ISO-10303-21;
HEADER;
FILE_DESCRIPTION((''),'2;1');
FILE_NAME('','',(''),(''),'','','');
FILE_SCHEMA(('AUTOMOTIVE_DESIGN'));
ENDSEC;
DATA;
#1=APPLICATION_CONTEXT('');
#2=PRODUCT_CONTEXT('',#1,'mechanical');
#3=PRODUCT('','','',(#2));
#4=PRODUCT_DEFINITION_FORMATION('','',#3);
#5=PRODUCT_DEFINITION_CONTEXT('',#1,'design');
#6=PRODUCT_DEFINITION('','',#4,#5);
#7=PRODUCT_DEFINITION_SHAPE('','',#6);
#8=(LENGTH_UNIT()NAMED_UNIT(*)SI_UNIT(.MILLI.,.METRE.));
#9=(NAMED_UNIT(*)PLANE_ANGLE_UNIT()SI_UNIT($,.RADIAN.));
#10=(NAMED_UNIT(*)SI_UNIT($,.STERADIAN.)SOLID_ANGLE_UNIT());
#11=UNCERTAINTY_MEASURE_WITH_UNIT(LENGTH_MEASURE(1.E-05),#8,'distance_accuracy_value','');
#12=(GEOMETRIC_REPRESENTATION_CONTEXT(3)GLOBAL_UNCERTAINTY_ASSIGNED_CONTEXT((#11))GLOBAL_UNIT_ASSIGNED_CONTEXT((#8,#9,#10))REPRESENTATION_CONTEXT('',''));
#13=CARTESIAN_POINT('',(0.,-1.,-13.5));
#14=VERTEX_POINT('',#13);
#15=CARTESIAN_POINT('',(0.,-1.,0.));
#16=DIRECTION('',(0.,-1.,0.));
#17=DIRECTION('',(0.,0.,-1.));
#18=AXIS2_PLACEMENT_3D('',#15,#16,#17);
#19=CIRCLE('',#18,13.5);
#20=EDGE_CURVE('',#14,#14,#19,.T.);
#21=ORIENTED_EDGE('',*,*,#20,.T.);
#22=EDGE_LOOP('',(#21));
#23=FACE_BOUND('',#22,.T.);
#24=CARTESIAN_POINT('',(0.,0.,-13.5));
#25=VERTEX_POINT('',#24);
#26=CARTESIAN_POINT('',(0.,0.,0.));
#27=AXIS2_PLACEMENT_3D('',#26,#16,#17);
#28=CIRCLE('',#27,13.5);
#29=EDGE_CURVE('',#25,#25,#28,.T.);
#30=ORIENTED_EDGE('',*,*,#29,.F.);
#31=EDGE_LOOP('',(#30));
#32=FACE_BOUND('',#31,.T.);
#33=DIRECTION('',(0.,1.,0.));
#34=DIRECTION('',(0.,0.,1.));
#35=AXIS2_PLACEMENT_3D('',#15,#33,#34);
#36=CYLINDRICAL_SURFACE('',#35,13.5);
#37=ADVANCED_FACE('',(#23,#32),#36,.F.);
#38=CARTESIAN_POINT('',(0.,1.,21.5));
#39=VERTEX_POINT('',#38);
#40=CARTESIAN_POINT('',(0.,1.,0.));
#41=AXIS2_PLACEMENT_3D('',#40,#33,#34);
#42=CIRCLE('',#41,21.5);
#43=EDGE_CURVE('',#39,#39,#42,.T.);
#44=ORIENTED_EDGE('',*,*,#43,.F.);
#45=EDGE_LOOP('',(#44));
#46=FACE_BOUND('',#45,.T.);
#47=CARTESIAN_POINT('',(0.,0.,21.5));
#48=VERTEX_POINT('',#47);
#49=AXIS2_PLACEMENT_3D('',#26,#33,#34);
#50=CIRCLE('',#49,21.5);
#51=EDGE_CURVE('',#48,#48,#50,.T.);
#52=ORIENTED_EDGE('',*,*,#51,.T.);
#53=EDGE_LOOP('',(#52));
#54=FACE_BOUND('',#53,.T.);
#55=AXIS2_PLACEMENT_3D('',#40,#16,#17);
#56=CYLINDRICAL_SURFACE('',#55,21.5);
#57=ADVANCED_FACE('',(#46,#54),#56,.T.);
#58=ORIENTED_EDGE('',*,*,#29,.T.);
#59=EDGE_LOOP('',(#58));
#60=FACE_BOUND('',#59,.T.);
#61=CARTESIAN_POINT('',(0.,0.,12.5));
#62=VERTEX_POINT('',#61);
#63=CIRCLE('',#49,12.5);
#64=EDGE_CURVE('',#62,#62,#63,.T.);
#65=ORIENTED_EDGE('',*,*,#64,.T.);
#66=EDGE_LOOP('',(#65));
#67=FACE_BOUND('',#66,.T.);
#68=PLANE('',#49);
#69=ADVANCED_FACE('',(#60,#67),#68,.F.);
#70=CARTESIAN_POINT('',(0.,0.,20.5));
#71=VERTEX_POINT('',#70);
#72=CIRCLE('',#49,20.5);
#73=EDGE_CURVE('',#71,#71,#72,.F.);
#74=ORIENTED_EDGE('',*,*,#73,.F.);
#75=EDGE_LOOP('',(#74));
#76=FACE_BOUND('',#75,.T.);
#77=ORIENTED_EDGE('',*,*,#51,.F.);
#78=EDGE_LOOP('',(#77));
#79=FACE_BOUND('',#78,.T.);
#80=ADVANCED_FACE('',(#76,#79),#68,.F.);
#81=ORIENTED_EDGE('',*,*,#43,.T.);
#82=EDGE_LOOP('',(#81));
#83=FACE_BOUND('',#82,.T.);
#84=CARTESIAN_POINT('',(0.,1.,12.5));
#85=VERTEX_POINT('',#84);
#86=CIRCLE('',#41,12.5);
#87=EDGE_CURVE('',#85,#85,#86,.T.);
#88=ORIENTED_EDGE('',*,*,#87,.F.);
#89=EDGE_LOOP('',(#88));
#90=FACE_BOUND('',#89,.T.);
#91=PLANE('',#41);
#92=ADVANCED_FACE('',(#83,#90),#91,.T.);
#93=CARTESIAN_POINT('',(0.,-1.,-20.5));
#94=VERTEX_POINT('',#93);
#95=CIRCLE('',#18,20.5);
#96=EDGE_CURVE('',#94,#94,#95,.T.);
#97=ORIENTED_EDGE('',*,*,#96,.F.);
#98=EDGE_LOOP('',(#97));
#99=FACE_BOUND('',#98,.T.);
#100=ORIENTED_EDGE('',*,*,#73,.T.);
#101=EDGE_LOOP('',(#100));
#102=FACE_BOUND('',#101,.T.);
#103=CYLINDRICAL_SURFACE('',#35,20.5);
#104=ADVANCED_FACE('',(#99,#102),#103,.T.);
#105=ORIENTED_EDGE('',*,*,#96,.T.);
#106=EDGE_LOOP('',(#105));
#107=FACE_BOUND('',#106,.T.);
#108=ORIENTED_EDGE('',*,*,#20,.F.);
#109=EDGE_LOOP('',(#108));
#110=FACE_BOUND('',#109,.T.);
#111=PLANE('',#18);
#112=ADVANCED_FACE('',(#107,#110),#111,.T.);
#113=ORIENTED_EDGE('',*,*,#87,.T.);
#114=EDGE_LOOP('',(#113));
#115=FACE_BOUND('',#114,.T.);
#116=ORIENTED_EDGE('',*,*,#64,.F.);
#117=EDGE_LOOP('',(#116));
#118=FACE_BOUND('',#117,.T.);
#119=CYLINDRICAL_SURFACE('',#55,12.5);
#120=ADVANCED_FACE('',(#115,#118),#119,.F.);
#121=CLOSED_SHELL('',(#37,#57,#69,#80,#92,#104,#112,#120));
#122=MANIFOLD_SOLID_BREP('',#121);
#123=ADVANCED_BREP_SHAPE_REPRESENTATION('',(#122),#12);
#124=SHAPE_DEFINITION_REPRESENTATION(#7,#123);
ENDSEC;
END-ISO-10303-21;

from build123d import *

# Parameters (mm, degrees)
SKETCH1_R           = 21.5
SKETCH1_R_2         = 12.5
BOSS_EXTRUDE1_DEPTH = 1
SKETCH2_R           = 20.5
SKETCH2_R_2         = 13.5
BOSS_EXTRUDE2_DEPTH = 1


with BuildPart() as part:
    # Sketch1 → Boss-Extrude1 (new body)
    with BuildSketch(Plane(origin=(0, 0, 0), x_dir=(1, 0, 0), z_dir=(0, 1, 0))):
        Circle(SKETCH1_R)
        Circle(SKETCH1_R_2, mode=Mode.SUBTRACT)
    extrude(amount=BOSS_EXTRUDE1_DEPTH)

    # Sketch2 → Boss-Extrude2 (add)
    with BuildSketch(Plane.XZ):
        Circle(SKETCH2_R)
        Circle(SKETCH2_R_2, mode=Mode.SUBTRACT)
    extrude(amount=BOSS_EXTRUDE2_DEPTH)


solid = part.part
